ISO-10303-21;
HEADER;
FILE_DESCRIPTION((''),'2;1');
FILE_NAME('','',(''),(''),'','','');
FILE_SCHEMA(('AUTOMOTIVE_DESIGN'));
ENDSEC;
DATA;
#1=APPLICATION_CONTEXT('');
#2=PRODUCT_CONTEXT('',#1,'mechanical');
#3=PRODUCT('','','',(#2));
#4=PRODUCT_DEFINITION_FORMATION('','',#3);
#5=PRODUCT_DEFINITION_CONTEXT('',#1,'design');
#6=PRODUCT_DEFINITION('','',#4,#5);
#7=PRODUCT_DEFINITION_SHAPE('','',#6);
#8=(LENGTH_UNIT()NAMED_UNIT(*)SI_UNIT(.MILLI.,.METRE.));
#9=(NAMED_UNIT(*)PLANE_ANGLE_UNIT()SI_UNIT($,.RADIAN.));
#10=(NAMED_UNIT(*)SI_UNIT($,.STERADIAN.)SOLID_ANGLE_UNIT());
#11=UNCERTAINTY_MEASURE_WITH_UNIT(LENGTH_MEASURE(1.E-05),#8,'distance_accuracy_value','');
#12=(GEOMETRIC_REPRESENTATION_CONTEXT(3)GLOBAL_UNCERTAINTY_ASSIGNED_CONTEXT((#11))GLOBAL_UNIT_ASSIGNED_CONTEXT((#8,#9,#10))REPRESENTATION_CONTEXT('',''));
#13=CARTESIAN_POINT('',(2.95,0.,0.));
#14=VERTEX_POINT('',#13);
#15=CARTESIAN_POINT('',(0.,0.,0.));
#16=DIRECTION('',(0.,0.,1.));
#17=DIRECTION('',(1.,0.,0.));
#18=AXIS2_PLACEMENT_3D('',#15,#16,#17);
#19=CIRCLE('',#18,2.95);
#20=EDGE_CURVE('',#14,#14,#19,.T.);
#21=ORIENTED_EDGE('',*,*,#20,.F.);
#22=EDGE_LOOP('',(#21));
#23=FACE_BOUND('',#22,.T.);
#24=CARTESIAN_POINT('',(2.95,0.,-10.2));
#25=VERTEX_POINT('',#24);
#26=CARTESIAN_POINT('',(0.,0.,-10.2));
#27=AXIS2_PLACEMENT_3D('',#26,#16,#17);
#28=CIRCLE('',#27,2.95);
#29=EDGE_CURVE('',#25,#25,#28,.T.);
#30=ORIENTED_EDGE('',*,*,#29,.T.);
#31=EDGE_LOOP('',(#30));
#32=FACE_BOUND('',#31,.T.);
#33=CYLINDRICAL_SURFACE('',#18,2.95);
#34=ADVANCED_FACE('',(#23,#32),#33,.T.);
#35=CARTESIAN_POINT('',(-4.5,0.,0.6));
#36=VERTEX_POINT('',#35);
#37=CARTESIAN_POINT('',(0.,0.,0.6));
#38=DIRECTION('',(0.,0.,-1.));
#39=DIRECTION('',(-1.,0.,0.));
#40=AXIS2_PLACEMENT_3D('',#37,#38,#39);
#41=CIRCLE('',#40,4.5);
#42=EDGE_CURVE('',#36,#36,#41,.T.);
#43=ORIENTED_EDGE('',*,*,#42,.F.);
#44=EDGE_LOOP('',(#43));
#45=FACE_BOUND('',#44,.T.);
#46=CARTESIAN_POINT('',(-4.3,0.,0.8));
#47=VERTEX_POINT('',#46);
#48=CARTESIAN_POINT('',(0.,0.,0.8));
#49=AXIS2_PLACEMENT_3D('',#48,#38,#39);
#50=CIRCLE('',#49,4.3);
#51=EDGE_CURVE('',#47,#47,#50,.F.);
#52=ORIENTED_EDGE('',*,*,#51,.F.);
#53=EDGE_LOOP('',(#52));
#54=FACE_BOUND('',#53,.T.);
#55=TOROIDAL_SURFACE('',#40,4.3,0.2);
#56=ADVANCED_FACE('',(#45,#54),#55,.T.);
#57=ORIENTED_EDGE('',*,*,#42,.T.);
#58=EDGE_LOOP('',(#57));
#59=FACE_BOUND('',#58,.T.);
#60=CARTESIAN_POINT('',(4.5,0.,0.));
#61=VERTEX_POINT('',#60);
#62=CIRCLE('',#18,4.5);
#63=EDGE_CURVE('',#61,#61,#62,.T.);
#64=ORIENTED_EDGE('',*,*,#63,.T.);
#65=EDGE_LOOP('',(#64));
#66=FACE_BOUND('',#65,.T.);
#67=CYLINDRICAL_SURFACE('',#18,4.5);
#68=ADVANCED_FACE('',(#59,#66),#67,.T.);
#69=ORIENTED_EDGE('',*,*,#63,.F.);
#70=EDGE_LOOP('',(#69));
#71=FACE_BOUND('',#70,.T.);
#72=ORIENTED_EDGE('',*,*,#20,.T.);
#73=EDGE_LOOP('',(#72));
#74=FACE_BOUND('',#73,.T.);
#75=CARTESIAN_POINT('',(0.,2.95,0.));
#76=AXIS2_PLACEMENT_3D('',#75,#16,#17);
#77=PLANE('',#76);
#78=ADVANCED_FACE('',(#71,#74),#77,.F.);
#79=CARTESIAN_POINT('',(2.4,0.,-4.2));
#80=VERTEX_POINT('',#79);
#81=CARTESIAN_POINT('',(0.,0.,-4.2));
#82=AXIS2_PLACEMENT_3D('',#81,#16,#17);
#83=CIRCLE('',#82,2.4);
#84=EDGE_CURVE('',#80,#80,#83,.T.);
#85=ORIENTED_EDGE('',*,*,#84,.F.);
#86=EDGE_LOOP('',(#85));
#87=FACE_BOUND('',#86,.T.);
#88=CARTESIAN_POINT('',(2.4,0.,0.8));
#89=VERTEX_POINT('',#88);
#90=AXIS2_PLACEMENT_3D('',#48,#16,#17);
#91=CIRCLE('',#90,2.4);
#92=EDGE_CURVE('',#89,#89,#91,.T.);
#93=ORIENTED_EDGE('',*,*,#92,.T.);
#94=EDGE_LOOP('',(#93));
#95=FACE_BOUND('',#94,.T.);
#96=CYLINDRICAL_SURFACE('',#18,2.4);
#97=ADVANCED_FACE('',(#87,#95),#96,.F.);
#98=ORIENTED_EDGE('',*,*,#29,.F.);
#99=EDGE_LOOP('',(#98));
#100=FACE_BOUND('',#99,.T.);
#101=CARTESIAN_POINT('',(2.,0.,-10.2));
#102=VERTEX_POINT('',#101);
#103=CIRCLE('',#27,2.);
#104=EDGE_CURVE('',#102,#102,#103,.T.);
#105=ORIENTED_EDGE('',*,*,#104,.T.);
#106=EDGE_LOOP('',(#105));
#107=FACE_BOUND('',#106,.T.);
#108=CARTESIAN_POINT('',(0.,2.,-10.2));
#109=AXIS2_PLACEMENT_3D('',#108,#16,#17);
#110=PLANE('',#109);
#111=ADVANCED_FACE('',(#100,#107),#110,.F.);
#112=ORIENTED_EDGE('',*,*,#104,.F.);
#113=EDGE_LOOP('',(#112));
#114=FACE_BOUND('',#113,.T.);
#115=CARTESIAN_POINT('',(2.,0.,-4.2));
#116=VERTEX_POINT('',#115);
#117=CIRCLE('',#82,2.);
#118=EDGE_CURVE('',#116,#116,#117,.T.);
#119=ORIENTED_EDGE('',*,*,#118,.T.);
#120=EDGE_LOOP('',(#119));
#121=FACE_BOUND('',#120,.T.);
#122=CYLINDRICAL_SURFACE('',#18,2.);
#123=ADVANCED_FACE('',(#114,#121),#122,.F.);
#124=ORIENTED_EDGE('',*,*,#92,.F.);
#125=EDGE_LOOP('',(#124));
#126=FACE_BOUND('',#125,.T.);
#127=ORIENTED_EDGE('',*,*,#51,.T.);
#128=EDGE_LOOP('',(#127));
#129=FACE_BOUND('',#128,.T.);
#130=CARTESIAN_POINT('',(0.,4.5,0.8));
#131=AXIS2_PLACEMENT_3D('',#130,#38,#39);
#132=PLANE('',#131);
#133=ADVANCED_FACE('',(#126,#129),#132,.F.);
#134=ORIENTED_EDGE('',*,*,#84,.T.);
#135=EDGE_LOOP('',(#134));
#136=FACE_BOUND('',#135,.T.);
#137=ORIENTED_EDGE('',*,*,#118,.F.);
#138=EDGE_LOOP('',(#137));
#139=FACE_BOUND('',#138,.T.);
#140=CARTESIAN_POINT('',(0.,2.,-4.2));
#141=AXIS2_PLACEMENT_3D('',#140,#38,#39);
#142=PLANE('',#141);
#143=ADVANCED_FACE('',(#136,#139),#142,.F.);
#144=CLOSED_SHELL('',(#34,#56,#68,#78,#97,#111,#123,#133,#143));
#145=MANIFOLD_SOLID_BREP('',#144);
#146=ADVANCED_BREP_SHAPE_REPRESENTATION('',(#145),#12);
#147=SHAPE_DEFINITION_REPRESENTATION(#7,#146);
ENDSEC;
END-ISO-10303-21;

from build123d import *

# Parameters (mm, degrees)
FILLET_1_R = 0.2


with BuildPart() as part:
    # 草图1 → 旋转1 (revolve)
    with BuildSketch(Plane(origin=(0, 0, 0), x_dir=(0, 0, -1), z_dir=(1, 0, 0)), mode=Mode.PRIVATE) as revolve_1_sk:
        Polygon((0, 2.95), (0, 4.5), (-0.8, 4.5), (-0.8, 2.4), (4.2, 2.4), (4.2, 2), (10.2, 2), (10.2, 2.95), align=None)
    revolve(revolve_1_sk.sketch.rotate(Axis((0, 0, 0), (0, 0, -1)), 90), axis=Axis((0, 0, 0), (0, 0, -1)))

    # 圆角1
    fillet_1_edges = [part.edges().sort_by_distance(p)[0] for p in [
        (-4.5, 0, 0.8),
    ]]
    fillet(fillet_1_edges, radius=FILLET_1_R)


solid = part.part
